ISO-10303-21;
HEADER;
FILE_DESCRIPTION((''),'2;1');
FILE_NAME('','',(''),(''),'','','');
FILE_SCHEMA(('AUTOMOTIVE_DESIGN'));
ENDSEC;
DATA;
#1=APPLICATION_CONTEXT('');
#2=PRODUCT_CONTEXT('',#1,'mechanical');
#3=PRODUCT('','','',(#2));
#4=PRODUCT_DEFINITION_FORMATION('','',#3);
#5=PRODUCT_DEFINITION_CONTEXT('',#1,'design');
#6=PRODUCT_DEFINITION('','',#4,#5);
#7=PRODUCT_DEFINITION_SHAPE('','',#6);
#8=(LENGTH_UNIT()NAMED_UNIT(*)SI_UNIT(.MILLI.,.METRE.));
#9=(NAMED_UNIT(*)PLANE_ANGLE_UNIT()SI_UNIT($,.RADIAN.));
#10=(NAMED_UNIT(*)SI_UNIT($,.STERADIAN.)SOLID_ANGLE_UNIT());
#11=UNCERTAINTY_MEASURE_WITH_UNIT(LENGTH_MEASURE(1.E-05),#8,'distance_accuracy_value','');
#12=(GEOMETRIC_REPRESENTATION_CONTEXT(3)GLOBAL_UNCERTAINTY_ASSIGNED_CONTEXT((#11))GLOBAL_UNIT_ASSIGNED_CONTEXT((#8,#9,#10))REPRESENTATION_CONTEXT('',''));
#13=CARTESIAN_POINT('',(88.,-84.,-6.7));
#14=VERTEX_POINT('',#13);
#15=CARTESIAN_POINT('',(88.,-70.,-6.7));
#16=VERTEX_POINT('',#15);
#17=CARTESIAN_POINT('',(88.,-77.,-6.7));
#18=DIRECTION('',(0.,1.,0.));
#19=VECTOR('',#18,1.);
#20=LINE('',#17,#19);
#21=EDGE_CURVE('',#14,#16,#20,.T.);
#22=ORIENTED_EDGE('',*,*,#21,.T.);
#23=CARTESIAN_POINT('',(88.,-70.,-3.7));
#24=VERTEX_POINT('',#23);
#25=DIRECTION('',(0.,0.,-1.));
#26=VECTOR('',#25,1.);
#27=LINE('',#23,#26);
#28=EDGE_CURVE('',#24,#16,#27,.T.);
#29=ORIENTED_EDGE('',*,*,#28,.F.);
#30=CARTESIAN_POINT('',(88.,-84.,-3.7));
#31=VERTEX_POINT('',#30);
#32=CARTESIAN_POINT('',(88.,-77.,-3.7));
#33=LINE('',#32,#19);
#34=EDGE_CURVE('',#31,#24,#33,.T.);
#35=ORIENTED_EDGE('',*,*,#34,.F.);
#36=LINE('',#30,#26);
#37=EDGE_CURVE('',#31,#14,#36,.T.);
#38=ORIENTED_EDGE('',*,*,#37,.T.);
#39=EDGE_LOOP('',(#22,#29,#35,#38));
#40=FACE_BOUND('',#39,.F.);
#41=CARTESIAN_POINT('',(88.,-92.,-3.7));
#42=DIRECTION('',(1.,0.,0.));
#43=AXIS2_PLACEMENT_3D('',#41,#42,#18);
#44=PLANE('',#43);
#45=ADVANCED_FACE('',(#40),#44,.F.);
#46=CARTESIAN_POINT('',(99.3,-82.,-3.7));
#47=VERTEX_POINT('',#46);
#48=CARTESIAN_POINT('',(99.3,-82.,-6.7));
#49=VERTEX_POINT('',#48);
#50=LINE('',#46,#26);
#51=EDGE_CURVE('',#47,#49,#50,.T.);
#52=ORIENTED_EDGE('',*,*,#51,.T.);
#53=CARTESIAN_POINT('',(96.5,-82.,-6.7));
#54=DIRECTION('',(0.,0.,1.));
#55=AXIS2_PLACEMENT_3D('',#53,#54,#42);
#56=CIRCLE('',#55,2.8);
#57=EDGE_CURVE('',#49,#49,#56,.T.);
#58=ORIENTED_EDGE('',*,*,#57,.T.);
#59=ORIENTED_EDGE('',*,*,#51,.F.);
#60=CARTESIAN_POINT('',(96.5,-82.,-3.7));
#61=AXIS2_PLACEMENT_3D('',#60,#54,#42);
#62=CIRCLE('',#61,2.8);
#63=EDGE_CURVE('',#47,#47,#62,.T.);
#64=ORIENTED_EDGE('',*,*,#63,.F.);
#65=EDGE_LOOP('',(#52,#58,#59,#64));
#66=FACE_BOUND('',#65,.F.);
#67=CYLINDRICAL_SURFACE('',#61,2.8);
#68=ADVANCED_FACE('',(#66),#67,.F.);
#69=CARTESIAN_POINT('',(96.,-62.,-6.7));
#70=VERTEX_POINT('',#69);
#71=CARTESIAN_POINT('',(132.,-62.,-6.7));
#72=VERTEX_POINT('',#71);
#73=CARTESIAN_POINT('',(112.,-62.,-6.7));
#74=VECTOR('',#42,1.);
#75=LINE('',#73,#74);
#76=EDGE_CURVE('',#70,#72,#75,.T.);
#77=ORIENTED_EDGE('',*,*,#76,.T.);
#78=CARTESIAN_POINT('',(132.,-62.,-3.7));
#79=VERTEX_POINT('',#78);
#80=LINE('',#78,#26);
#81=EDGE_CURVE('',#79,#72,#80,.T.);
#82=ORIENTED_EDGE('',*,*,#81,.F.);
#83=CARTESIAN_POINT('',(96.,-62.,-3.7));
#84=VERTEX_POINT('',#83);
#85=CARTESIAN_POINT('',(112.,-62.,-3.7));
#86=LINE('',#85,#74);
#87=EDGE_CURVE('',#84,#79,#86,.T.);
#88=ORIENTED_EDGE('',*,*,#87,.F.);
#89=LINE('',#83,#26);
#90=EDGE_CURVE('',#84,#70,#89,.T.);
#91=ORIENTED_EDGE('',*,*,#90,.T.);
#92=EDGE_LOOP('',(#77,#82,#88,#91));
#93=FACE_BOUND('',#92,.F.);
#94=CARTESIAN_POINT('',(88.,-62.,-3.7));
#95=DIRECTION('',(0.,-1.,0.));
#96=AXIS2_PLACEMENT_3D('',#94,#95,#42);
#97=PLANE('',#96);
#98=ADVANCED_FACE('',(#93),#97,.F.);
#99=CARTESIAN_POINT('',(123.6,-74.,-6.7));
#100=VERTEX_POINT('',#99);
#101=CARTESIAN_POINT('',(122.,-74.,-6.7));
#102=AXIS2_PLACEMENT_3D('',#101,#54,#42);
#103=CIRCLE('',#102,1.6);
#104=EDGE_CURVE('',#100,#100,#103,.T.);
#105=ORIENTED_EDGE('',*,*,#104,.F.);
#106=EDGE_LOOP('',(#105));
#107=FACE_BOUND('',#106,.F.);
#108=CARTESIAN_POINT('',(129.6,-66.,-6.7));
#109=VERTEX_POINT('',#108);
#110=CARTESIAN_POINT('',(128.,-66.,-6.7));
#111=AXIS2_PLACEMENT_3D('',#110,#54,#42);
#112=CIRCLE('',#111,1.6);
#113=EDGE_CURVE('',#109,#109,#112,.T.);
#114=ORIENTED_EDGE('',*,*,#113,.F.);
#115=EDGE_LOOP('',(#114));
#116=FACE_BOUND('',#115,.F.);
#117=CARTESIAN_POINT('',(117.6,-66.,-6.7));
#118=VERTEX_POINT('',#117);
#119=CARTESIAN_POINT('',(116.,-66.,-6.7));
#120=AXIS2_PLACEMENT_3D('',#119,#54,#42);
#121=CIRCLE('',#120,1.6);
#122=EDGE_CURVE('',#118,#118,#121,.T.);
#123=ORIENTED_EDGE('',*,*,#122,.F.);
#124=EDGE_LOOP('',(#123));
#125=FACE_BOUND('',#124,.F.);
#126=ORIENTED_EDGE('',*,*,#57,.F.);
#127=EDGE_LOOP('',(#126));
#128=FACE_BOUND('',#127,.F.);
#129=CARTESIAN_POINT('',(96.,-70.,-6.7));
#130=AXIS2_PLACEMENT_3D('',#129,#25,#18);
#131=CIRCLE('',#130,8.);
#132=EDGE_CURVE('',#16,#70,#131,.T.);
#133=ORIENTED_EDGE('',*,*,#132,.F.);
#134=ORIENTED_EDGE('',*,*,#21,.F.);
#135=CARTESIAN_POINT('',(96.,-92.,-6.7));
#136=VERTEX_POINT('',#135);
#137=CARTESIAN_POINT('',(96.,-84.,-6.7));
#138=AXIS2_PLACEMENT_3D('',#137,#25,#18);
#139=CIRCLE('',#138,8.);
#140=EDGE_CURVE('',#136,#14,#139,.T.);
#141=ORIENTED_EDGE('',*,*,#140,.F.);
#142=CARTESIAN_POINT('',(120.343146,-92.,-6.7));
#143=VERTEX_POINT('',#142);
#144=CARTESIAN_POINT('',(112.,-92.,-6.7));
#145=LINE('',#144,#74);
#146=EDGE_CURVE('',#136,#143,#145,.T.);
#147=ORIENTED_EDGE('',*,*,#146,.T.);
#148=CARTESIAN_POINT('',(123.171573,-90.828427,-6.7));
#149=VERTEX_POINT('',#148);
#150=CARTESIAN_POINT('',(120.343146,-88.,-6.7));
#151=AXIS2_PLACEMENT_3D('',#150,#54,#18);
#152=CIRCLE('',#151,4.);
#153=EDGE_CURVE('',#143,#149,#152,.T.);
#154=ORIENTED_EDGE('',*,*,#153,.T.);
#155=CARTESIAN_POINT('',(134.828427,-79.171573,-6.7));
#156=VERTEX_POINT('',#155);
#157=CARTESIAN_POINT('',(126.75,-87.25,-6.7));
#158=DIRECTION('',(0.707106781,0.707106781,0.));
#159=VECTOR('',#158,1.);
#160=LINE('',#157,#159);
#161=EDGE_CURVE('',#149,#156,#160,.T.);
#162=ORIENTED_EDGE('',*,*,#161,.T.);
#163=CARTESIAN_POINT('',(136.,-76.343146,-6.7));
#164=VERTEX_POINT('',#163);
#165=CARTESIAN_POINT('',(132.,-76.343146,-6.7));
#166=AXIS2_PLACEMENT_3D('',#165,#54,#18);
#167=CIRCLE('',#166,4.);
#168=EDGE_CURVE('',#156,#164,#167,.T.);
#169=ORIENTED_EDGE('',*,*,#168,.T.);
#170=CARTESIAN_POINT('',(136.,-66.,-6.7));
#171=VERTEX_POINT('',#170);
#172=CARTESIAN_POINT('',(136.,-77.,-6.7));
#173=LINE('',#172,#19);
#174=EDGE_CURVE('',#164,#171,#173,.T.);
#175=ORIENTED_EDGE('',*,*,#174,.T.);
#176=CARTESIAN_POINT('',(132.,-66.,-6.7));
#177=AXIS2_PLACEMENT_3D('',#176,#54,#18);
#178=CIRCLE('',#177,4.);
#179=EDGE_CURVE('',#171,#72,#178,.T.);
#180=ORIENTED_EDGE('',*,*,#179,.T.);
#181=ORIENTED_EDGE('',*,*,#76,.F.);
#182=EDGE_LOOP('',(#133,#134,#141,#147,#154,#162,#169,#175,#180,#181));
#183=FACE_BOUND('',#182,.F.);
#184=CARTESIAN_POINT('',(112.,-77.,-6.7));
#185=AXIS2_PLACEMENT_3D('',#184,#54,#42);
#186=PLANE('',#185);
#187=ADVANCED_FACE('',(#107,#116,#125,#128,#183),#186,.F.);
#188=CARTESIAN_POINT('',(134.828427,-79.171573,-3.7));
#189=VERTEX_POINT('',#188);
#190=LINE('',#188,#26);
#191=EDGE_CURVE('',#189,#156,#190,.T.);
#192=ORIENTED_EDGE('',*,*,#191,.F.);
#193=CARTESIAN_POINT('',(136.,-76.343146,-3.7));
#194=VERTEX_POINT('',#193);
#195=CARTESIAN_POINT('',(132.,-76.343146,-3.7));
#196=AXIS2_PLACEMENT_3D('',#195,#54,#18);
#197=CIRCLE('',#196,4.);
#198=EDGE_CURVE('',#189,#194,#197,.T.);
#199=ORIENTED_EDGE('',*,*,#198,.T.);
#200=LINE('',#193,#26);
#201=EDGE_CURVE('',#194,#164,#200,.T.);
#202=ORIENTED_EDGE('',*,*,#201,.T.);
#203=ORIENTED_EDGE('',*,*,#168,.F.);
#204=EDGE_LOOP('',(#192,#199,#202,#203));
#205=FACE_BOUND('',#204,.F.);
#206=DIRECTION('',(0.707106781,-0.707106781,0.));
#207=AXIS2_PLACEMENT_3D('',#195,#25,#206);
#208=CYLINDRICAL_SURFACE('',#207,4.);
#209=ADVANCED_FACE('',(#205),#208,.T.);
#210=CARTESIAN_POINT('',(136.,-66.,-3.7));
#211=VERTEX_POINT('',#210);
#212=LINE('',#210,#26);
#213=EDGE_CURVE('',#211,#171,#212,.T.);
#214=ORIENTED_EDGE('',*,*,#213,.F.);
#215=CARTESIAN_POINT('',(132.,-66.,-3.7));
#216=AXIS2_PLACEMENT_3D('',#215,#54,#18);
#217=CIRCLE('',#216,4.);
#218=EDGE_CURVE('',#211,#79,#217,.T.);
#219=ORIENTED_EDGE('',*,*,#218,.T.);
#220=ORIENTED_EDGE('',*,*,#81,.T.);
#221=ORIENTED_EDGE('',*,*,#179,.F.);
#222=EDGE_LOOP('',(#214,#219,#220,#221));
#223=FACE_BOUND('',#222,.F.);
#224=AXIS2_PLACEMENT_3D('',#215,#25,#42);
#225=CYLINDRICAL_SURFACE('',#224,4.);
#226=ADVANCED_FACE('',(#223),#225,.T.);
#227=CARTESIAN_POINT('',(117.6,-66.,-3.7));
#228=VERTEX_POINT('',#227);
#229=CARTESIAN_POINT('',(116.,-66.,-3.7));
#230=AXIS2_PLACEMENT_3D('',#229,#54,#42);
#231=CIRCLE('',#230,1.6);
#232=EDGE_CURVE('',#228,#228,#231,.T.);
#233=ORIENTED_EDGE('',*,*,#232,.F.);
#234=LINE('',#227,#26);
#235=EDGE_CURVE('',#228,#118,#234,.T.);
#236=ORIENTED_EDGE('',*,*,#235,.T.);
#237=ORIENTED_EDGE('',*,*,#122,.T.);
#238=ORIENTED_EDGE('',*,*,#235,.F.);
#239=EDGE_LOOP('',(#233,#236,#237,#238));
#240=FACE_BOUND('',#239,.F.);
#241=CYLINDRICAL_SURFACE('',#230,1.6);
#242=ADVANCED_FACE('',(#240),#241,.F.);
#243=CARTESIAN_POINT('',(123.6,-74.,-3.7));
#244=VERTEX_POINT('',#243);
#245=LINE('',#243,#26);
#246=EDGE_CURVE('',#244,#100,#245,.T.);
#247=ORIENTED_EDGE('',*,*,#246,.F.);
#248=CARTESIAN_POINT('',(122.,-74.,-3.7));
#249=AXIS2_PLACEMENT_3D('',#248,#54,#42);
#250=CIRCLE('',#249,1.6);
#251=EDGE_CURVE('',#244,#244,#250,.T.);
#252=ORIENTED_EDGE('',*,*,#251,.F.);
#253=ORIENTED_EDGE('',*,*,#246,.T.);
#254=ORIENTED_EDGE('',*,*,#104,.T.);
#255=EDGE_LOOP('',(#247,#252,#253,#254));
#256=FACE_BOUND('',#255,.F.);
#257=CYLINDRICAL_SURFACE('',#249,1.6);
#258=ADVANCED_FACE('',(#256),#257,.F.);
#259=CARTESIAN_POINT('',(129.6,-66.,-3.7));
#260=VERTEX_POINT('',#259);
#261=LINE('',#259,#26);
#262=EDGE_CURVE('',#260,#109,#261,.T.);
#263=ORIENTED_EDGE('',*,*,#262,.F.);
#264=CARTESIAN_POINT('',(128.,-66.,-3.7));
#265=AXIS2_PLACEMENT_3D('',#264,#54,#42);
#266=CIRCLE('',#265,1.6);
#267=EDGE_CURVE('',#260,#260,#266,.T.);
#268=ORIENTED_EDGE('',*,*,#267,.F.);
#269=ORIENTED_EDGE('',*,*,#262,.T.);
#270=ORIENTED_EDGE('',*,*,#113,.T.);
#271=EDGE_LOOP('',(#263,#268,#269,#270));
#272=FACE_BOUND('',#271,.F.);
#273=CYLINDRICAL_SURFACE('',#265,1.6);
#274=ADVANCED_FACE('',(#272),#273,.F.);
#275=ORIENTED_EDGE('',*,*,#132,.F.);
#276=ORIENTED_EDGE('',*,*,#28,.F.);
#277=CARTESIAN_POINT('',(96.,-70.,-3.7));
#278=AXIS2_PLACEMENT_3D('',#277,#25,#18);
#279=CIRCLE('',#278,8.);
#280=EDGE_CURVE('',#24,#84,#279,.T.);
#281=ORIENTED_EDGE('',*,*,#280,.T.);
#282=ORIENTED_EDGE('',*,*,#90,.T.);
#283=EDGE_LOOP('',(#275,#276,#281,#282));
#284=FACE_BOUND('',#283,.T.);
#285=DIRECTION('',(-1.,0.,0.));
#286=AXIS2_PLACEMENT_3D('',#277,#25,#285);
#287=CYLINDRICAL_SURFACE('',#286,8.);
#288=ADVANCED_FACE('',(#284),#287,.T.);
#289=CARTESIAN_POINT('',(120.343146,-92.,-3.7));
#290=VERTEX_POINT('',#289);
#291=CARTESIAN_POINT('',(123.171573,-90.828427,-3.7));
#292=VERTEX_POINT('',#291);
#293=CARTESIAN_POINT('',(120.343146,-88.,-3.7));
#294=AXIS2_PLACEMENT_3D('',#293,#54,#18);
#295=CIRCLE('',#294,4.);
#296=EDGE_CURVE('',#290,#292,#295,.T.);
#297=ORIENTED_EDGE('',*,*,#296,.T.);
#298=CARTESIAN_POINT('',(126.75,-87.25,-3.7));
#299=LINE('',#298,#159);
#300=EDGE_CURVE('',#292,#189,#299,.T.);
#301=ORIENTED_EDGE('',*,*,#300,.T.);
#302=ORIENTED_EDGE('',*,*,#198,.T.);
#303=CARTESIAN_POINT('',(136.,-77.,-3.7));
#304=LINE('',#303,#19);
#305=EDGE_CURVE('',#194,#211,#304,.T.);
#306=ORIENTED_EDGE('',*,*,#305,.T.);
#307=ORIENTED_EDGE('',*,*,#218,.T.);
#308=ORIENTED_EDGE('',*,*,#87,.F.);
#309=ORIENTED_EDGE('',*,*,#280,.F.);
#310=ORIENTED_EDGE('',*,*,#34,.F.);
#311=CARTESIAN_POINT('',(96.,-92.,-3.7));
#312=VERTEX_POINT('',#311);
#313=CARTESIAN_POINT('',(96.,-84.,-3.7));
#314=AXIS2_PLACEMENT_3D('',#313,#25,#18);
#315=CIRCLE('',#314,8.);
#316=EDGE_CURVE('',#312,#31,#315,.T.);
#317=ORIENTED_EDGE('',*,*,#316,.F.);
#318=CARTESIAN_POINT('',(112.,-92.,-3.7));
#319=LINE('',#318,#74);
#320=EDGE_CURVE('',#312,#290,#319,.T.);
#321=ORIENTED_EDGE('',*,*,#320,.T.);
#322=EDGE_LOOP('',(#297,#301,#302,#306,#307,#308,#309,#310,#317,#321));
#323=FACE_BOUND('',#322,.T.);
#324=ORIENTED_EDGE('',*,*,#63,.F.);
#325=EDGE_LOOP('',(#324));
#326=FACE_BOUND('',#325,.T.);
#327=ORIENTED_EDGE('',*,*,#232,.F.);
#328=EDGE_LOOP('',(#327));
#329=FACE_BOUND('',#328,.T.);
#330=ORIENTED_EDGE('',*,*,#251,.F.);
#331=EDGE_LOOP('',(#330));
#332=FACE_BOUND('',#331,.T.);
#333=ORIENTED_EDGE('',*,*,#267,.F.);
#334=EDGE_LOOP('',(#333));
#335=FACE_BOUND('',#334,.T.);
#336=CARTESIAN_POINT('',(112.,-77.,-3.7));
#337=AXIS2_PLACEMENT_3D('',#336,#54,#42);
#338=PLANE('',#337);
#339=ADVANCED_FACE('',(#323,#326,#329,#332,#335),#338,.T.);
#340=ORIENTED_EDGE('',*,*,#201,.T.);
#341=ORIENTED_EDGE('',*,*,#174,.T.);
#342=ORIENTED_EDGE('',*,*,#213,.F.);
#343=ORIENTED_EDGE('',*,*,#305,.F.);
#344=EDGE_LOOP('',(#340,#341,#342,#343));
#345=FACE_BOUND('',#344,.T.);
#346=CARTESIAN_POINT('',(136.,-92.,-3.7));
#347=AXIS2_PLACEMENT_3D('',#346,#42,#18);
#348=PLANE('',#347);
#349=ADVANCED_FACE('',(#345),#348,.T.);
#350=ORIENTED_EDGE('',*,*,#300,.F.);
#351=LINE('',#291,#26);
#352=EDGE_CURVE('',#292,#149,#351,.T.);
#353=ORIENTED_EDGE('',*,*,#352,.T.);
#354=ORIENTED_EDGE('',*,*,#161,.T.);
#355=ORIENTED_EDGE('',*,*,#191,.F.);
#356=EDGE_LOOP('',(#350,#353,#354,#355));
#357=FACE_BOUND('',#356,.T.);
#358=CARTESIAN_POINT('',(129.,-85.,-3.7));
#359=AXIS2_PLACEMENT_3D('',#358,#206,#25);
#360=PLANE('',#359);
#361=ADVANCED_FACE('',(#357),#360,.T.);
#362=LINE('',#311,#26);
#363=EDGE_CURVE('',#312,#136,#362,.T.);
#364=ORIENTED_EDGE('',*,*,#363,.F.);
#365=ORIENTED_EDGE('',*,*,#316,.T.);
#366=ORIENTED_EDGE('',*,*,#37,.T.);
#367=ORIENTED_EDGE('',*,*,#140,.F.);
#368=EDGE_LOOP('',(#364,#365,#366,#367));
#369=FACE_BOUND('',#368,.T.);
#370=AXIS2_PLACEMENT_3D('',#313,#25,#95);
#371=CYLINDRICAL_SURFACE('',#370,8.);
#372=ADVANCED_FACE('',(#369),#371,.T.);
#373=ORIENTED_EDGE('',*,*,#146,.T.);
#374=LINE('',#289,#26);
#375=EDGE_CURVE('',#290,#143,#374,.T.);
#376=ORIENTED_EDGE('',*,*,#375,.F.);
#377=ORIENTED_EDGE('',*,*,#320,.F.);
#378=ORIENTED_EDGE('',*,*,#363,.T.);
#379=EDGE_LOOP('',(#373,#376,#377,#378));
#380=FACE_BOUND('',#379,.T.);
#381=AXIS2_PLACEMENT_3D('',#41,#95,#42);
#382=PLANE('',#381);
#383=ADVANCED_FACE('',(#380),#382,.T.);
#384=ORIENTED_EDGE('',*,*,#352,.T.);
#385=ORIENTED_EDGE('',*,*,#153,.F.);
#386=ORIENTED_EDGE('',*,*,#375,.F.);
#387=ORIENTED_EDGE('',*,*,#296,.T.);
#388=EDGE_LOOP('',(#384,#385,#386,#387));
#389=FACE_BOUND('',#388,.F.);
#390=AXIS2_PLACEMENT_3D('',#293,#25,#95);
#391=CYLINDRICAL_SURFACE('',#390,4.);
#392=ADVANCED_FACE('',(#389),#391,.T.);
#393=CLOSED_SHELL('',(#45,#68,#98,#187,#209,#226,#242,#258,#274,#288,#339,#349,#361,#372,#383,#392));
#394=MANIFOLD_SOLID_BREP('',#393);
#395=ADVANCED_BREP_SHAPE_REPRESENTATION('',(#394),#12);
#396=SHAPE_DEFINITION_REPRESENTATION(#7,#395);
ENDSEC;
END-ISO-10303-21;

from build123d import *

# Parameters (mm, degrees)
SKETCH070_W     = 48
SKETCH070_H     = 30
SKETCH070_R     = 2.8
SKETCH070_R_2   = 1.6
PAD025_DEPTH    = 3
CHAMFER029_SIZE = 14
FILLET015_R     = 8
FILLET016_R     = 4


with BuildPart() as part:
    # Sketch070 → Pad025 (new body)
    with BuildSketch(Plane.XY):
        with Locations((4, 5)):
            Rectangle(SKETCH070_W, SKETCH070_H)
        with Locations((-11.5, 0)):
            Circle(SKETCH070_R, mode=Mode.SUBTRACT)
        with Locations((8, 16)):
            Circle(SKETCH070_R_2, mode=Mode.SUBTRACT)
        with Locations((20, 16)):
            Circle(SKETCH070_R_2, mode=Mode.SUBTRACT)
        with Locations((14, 8)):
            Circle(SKETCH070_R_2, mode=Mode.SUBTRACT)
    extrude(amount=-PAD025_DEPTH)

    # Chamfer029
    chamfer029_edges = [part.edges().sort_by_distance(p)[0] for p in [
        (28, -10, -1.5),
    ]]
    chamfer(chamfer029_edges, length=CHAMFER029_SIZE)

    # Fillet015
    fillet015_edges = [part.edges().sort_by_distance(p)[0] for p in [
        (-20, -10, -1.5),
        (-20, 20, -1.5),
    ]]
    fillet(fillet015_edges, radius=FILLET015_R)

    # Fillet016
    fillet016_edges = [part.edges().sort_by_distance(p)[0] for p in [
        (28, 20, -1.5),
        (28, 4, -1.5),
        (14, -10, -1.5),
    ]]
    fillet(fillet016_edges, radius=FILLET016_R)


with BuildPart() as part_1:
    # Body014 placement: moved
    add(part.part.moved(Location((108, -82, -3.7))))


solid = part_1.part
